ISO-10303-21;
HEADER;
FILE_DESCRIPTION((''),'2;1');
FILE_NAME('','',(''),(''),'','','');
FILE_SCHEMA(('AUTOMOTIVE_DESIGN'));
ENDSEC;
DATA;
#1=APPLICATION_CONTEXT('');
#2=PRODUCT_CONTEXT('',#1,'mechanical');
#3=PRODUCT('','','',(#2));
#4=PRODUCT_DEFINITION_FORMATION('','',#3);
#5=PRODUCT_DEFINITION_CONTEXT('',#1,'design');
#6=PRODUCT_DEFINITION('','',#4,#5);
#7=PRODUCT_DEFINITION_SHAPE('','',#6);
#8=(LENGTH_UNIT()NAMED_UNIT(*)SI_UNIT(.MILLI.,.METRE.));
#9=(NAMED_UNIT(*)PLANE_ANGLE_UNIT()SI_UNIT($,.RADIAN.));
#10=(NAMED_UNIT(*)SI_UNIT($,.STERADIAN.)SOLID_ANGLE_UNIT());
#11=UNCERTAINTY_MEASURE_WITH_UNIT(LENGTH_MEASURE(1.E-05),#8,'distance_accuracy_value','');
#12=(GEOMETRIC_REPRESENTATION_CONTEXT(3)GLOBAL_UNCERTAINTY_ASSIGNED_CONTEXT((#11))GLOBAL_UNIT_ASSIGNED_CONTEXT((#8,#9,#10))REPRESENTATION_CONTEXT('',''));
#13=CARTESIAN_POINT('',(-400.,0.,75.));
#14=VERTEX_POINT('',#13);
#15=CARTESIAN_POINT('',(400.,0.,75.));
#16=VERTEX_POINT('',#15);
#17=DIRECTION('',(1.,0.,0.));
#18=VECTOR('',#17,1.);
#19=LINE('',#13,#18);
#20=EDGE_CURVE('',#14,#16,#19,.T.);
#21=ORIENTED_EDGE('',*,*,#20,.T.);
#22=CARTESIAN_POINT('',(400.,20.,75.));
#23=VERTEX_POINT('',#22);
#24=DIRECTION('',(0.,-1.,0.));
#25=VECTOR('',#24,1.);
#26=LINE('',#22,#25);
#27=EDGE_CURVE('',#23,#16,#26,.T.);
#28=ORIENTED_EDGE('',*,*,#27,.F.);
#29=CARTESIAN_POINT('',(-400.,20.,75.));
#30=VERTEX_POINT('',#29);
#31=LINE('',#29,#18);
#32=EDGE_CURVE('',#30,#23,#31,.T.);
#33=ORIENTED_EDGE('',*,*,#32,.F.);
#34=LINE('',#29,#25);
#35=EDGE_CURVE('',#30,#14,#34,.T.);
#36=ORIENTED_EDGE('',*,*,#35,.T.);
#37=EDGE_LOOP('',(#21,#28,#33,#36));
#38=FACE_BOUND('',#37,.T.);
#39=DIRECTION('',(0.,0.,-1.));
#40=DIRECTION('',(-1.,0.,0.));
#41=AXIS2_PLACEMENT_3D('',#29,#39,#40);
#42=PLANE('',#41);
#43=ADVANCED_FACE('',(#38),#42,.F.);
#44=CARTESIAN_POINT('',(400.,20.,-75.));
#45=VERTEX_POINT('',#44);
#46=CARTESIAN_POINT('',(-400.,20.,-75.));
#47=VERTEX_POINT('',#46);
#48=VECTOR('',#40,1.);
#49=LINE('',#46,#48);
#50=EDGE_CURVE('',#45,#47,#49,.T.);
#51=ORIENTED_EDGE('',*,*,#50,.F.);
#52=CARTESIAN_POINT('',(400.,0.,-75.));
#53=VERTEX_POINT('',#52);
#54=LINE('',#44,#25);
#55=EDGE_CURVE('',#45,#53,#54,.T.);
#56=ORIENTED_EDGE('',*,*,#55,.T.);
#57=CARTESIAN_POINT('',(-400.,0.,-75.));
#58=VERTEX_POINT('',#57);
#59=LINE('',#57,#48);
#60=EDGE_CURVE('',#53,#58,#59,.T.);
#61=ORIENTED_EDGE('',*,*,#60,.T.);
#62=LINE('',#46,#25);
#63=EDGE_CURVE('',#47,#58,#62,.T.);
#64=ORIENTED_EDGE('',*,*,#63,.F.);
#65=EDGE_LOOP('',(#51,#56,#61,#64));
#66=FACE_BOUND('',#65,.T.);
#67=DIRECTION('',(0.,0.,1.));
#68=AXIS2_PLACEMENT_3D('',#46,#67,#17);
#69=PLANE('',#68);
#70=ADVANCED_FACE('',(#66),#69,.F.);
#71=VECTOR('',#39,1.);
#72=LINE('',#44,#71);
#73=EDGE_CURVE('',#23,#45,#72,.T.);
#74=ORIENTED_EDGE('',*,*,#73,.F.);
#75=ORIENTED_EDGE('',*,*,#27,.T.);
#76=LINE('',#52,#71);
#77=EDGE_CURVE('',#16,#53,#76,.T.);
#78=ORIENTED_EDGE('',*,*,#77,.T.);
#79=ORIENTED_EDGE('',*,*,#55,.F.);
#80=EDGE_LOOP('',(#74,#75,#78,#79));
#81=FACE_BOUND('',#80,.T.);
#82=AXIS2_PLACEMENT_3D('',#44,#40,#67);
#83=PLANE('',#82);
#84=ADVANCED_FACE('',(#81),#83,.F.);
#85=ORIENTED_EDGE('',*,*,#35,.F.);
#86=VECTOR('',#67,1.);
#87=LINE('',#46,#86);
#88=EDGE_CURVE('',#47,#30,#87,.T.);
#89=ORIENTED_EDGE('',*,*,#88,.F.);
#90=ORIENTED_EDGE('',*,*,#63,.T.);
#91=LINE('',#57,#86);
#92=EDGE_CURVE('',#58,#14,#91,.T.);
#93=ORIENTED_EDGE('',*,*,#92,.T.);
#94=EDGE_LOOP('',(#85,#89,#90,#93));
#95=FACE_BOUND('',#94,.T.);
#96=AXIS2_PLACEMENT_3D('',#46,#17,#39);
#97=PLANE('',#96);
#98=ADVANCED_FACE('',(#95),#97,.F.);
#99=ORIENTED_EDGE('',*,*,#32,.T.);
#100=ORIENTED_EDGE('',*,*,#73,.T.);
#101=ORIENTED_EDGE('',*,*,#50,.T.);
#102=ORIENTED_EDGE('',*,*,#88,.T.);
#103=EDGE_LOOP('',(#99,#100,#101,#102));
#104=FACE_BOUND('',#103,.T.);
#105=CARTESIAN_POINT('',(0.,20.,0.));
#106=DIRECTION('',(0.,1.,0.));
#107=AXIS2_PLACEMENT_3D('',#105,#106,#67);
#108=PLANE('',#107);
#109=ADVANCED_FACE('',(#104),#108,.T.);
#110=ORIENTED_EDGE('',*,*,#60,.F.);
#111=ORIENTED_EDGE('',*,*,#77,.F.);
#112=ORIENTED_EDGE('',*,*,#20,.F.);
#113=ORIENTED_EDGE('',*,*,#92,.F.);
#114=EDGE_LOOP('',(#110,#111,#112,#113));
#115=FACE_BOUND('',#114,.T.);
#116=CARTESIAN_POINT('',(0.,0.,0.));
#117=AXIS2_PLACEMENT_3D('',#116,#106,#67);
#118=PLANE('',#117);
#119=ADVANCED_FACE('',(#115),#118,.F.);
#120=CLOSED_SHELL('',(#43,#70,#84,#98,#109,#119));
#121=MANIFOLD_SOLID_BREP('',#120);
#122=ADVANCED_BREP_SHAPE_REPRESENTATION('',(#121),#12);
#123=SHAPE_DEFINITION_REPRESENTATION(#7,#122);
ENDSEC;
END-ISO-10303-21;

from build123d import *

# Parameters (mm, degrees)
SKETCH_1_W      = 800
SKETCH_1_H      = 150
EXTRUDE_1_DEPTH = 20


with BuildPart() as part:
    # Эскиз1 → Бобышка-Вытянуть1 (new body)
    with BuildSketch(Plane(origin=(0, 0, 0), x_dir=(1, 0, 0), z_dir=(0, 1, 0))):
        Rectangle(SKETCH_1_W, SKETCH_1_H)
    extrude(amount=EXTRUDE_1_DEPTH)


solid = part.part
